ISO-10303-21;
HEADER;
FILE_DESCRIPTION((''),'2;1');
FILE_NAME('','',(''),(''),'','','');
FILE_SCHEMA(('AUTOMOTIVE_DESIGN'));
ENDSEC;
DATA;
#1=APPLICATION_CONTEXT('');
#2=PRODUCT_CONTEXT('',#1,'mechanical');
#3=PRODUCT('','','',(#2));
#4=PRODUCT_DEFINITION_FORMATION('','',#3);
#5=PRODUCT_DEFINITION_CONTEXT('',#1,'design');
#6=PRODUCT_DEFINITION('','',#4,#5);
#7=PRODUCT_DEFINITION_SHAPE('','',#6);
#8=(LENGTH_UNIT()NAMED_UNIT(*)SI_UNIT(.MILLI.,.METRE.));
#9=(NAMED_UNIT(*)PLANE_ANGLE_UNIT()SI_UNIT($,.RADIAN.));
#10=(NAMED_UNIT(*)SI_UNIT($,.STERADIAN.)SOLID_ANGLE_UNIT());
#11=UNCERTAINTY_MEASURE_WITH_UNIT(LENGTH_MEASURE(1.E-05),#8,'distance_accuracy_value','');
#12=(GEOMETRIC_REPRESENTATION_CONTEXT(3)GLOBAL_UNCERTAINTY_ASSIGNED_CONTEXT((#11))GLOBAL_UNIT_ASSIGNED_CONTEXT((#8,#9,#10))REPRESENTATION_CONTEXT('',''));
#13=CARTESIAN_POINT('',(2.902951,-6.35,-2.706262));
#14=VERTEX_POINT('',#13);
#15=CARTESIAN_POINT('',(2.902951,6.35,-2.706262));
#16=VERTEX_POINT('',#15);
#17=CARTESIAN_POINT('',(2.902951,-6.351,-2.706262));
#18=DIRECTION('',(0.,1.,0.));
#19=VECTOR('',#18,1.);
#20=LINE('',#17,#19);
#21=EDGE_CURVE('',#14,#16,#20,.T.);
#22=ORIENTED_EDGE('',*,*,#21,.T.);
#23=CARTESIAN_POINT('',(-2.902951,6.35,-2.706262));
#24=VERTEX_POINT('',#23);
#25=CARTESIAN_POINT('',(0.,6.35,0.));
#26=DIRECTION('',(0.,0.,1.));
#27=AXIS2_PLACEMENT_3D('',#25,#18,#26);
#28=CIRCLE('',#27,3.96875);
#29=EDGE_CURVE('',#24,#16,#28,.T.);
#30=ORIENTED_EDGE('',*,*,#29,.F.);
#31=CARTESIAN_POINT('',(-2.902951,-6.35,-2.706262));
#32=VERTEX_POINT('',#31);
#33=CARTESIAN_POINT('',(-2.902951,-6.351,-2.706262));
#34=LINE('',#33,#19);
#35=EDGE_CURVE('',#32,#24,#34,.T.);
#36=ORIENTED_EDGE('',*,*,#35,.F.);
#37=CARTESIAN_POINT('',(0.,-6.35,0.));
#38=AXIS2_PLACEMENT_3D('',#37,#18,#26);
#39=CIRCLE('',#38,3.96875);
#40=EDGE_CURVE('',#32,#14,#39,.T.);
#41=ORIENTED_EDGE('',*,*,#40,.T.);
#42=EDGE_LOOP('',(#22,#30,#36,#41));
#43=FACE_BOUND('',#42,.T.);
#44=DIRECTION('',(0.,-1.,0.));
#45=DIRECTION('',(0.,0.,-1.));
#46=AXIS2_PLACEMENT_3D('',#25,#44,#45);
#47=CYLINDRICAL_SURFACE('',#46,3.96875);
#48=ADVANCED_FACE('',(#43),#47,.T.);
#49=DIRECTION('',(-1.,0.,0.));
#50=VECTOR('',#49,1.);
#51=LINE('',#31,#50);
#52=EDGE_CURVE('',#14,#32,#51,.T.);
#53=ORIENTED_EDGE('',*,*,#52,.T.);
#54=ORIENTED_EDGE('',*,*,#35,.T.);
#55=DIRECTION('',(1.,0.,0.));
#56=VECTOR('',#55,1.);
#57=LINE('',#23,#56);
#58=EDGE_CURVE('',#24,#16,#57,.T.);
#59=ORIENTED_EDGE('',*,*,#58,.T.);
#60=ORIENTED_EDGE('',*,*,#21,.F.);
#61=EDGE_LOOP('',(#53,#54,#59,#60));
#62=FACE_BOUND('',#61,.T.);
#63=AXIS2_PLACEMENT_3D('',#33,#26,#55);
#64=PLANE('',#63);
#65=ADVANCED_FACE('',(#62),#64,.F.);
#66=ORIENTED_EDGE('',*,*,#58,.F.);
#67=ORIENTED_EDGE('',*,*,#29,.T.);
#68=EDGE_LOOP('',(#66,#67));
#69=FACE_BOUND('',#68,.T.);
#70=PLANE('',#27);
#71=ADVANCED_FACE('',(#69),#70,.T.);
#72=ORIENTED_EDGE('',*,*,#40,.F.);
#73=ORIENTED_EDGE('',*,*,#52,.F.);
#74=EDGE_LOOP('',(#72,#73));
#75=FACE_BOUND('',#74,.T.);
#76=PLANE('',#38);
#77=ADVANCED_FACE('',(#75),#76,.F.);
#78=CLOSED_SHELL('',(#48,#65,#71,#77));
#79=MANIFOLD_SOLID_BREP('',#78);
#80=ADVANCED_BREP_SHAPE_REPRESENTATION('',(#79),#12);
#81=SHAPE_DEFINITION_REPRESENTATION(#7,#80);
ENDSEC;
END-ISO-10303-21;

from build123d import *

# Parameters (mm, degrees)
SKETCH1_R           = 3.96875
BOSS_EXTRUDE1_DEPTH = 6.35
CUT_EXTRUDE1_REACH  = 15.885


with BuildPart() as part:
    # Sketch1 → Boss-Extrude1 (new, symmetric)
    with BuildSketch(Plane(origin=(0, 0, 0), x_dir=(1, 0, 0), z_dir=(0, 1, 0))):
        with Locations(Location((0, 0, 0), (0, 0, 270))):
            Circle(SKETCH1_R)
    extrude(amount=BOSS_EXTRUDE1_DEPTH, both=True)

    # Sketch2 → Cut-Extrude1 (cut, up to next)
    with BuildSketch(Plane(origin=(0, 6.35, 0), x_dir=(1, 0, 0), z_dir=(0, 1, 0)), mode=Mode.PRIVATE) as cut_extrude1_sk1:
        with BuildLine():
            Line((-2.902950916, 2.706261729), (2.902950916, 2.706261729))
            ThreePointArc((2.902950916, 2.706261729), (0, 3.96875), (-2.902950916, 2.706261729))
        make_face()
    cut_extrude1_tool1 = extrude(cut_extrude1_sk1.sketch, amount=-CUT_EXTRUDE1_REACH, mode=Mode.PRIVATE) & part.part
    add(cut_extrude1_tool1.solids().sort_by_distance((0, 6.35, -3.218844))[0], mode=Mode.SUBTRACT)


solid = part.part
